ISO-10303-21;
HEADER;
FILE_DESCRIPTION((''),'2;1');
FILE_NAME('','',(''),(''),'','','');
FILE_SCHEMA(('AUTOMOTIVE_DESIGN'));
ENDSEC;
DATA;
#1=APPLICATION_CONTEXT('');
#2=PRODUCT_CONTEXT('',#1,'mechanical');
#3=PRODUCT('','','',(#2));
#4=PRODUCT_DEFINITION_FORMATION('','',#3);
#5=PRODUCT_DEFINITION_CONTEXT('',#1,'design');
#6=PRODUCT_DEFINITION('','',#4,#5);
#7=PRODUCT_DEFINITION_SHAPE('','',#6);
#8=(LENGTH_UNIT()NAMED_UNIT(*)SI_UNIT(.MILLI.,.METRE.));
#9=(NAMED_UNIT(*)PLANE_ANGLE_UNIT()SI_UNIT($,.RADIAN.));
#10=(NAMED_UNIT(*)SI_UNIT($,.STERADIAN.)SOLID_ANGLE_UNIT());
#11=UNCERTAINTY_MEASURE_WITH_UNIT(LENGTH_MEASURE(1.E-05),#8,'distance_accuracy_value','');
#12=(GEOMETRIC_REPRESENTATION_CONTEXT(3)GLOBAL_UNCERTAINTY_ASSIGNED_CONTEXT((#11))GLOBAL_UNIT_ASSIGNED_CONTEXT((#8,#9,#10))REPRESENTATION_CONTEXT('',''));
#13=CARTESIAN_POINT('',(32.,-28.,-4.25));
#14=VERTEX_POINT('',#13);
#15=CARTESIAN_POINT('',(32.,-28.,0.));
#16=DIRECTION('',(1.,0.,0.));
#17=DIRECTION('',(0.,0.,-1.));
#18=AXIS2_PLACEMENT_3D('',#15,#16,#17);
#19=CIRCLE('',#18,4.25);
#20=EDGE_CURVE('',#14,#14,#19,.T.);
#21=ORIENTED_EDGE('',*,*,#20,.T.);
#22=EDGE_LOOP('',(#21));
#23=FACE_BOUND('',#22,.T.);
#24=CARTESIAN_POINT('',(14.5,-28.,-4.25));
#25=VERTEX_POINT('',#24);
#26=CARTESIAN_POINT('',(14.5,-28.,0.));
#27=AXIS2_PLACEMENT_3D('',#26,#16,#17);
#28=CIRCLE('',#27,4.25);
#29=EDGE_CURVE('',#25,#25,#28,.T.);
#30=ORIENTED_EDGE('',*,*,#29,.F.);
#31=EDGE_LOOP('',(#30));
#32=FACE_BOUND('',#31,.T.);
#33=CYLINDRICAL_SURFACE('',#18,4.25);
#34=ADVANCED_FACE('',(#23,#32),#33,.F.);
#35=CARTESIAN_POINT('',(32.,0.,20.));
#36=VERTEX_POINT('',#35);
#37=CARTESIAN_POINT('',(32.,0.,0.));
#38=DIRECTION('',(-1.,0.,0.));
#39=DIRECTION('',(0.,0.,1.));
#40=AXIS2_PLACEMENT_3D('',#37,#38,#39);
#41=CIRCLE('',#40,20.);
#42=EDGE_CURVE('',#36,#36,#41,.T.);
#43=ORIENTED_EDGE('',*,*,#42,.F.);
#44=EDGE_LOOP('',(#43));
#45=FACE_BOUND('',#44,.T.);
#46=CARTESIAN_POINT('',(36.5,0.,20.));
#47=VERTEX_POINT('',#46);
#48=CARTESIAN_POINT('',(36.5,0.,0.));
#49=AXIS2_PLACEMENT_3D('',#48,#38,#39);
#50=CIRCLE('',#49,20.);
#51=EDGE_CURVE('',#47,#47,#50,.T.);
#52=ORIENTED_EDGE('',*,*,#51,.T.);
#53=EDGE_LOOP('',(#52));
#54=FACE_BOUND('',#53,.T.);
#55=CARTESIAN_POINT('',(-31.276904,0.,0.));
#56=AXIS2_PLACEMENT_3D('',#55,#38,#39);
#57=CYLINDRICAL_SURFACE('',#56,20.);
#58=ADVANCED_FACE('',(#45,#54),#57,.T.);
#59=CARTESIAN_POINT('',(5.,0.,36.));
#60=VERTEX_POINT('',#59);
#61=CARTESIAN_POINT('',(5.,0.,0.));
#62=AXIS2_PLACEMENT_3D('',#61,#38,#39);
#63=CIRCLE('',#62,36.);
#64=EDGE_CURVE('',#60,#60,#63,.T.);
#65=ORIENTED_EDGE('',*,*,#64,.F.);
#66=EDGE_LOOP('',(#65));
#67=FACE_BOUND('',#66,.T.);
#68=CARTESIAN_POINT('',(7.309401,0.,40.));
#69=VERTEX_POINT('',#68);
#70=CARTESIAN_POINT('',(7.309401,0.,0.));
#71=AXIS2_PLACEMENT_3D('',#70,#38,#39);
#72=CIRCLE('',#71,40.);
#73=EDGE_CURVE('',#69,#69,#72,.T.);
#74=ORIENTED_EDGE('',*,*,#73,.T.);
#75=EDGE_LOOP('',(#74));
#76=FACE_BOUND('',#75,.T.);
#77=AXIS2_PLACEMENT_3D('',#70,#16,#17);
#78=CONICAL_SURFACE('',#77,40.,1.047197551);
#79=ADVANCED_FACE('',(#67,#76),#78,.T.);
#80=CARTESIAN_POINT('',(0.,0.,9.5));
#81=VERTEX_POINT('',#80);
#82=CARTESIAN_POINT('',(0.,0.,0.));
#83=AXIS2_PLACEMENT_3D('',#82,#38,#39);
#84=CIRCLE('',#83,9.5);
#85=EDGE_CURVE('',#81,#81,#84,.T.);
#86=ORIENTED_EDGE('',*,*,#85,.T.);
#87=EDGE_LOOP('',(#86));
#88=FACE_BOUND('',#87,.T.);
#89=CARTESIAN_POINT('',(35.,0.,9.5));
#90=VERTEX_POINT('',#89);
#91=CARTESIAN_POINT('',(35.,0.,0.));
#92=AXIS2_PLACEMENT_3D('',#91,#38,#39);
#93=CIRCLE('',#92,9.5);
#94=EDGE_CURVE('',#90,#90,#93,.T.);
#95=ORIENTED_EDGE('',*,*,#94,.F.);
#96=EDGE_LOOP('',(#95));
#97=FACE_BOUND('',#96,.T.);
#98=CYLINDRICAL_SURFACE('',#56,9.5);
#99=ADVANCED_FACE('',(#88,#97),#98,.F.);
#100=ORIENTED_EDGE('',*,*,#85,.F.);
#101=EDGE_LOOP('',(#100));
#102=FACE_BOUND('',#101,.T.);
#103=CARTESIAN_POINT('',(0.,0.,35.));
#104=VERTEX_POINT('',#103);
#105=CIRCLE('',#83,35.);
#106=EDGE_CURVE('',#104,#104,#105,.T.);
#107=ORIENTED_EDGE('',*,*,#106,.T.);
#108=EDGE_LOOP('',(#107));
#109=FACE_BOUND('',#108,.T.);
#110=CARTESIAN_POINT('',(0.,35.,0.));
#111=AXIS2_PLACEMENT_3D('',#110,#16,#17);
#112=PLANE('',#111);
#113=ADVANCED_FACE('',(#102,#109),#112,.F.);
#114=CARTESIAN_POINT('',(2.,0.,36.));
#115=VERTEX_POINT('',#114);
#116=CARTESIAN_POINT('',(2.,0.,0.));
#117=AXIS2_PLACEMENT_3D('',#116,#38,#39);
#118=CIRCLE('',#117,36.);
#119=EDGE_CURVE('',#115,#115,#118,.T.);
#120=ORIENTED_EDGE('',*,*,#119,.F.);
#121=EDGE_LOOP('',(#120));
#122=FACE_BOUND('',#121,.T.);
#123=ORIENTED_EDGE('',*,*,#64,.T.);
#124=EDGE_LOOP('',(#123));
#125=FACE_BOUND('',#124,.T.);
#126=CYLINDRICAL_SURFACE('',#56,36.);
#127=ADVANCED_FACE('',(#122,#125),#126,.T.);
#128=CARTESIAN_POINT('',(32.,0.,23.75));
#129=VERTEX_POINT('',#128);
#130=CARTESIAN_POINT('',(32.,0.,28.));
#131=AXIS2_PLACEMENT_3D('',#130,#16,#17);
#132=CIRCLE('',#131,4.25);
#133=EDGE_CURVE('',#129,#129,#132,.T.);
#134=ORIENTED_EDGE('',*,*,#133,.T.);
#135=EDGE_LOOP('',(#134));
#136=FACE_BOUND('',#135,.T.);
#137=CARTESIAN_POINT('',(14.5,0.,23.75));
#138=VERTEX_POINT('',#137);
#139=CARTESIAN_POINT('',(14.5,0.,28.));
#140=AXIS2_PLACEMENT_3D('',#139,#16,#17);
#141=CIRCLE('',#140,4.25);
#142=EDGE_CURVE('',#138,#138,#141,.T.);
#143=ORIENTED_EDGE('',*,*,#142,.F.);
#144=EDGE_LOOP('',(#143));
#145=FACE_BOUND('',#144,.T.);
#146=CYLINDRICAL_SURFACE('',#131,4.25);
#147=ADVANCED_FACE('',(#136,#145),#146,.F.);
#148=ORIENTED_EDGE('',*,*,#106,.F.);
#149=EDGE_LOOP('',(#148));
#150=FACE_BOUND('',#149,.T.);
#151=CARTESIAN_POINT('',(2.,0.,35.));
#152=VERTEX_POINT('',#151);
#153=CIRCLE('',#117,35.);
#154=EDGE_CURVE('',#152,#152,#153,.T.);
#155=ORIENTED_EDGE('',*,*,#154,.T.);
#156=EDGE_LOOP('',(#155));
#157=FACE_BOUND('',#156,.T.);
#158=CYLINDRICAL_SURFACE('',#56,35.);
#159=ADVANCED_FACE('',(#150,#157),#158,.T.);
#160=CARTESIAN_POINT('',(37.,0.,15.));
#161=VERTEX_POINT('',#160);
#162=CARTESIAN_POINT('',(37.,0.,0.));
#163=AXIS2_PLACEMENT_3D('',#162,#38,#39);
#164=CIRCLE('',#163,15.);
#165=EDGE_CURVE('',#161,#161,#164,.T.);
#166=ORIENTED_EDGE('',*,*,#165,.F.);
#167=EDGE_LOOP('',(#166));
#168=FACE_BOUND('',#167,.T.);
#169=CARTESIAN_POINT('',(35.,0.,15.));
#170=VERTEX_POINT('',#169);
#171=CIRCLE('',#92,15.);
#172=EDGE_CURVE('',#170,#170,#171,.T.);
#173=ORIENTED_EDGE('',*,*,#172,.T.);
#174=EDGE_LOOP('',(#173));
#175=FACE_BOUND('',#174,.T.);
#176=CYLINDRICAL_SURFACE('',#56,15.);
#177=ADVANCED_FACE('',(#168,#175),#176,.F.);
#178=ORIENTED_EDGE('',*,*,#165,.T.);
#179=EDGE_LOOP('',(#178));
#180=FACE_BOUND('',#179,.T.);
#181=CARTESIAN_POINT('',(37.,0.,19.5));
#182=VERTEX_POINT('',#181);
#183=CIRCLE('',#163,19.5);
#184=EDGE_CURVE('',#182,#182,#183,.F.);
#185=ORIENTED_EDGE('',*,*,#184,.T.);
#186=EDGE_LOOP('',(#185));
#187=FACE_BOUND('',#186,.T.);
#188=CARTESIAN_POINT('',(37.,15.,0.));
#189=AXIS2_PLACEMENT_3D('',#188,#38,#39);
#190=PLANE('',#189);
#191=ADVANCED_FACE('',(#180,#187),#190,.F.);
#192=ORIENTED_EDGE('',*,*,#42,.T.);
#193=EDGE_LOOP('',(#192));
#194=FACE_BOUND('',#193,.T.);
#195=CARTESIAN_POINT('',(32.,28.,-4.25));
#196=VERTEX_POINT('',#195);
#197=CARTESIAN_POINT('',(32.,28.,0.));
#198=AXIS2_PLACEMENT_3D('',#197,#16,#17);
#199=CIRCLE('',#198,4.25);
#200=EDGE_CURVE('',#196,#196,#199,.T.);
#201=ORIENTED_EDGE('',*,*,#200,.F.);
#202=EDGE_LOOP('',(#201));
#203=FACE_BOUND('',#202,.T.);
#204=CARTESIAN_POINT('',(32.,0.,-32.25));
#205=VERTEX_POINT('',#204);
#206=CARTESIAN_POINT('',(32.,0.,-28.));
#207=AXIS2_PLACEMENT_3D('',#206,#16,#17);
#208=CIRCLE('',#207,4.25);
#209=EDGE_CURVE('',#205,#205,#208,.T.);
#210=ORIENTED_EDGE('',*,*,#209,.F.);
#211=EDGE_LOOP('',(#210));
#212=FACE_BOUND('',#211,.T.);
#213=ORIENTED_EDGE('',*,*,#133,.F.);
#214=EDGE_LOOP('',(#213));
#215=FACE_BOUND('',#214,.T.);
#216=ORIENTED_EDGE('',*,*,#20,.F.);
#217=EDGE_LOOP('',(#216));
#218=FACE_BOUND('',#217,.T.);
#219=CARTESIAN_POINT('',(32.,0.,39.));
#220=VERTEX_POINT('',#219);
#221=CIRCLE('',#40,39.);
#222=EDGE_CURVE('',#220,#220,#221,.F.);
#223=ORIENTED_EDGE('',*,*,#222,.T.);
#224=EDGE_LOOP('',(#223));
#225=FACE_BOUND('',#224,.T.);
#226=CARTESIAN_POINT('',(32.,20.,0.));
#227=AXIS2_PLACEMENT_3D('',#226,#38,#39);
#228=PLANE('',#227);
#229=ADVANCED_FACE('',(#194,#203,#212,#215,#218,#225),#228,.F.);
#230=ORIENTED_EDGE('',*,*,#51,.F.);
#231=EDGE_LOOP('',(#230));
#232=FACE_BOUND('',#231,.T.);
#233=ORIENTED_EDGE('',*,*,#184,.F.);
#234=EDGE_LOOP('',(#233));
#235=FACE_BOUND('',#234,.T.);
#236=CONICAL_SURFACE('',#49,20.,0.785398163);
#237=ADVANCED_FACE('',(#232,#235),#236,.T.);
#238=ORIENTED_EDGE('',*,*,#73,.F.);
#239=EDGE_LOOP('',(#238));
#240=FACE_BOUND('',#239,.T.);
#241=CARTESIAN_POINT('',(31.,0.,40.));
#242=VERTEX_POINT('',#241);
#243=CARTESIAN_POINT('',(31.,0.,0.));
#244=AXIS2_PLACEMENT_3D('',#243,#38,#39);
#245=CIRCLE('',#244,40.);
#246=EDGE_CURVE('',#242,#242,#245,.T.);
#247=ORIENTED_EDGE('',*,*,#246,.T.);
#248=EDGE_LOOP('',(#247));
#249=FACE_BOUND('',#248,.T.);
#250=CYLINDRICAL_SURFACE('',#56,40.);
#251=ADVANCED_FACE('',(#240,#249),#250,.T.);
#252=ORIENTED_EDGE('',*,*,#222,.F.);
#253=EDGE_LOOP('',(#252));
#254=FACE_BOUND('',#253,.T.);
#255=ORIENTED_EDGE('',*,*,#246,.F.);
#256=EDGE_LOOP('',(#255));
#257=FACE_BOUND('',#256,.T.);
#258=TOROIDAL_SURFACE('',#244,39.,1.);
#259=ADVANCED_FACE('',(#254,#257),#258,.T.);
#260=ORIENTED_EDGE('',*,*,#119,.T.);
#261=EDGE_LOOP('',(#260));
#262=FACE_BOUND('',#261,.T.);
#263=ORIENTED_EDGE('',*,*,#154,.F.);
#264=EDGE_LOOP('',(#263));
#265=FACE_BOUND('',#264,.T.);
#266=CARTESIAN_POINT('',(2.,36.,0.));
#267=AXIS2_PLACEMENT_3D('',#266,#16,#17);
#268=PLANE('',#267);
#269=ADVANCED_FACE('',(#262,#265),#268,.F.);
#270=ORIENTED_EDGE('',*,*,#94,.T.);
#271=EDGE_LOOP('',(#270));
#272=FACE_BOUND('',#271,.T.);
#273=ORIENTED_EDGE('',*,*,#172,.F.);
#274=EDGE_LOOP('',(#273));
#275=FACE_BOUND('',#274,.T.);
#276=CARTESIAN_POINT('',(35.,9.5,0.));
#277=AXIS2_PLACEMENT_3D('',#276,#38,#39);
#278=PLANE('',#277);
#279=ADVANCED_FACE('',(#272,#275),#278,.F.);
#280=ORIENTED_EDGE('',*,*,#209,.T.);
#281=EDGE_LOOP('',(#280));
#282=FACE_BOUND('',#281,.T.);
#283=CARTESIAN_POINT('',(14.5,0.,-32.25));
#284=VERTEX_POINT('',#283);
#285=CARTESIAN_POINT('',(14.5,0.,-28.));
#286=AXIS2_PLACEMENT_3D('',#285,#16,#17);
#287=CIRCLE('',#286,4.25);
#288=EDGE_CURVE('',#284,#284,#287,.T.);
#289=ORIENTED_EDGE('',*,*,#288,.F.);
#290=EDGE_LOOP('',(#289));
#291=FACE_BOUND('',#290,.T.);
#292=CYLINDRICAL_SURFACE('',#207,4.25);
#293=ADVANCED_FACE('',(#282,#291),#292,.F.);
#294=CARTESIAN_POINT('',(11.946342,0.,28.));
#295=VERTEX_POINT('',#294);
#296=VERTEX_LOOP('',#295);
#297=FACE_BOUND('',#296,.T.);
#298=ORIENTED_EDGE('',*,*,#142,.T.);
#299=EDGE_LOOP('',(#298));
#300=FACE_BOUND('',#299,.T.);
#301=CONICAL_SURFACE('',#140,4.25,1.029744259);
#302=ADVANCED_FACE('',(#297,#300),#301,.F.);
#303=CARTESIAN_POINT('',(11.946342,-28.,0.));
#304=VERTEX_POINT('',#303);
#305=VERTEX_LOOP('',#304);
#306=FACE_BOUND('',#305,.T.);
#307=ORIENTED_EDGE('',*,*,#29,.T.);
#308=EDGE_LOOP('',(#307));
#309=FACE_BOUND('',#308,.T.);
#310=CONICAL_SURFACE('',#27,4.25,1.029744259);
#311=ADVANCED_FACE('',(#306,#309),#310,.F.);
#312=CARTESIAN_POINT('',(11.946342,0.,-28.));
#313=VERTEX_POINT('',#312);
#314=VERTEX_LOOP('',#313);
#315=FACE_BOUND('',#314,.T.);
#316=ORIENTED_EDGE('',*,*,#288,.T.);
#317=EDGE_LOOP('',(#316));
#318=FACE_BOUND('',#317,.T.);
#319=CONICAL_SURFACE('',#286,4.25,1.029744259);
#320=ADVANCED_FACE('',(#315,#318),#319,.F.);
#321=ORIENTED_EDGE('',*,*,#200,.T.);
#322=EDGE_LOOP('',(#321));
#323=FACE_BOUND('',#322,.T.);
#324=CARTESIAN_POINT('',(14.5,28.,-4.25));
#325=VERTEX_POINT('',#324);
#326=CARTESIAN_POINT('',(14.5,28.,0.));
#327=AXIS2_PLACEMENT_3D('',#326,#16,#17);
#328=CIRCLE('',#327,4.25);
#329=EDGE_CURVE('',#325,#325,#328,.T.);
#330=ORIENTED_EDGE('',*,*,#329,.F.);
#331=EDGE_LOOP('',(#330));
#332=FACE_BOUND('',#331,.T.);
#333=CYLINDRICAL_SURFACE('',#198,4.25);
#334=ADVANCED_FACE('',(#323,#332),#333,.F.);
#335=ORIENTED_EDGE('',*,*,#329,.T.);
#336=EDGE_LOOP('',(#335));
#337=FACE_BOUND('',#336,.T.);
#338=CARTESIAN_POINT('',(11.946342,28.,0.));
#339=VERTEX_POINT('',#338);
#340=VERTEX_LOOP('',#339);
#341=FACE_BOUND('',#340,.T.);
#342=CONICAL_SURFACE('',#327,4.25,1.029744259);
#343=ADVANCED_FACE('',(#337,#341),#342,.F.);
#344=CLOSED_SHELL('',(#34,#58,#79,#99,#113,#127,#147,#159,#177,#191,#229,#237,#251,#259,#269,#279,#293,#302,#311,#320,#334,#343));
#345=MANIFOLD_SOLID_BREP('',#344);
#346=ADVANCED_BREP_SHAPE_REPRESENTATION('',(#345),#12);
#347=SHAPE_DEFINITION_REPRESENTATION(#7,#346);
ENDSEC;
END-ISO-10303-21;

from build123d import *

# Parameters (mm, degrees)
REJFNING_0_5_X_45_GR_SIZE = 0.5
RUNDING_R1_R              = 1
HOLE1_D                   = 8.5
HOLE1_DEPTH               = 17.5
HOLE1_TIP                 = 2.553657631


with BuildPart() as part:
    # Sketch1 → Base-Revolve (revolve)
    with BuildSketch(Plane.XY):
        Polygon((0, 9.5), (35, 9.5), (35, 15), (37, 15), (37, 20), (32, 20), (32, 40), (7.309401077, 40), (5, 36), (2, 36), (2, 35), (0, 35), align=None)
    revolve(axis=Axis((-31.276903974, 0, 0), (1, 0, 0)))

    # Rejfning 0,5 x 45 gr.
    rejfning_0_5_x_45_gr_edges = [part.edges().sort_by_distance(p)[0] for p in [
        (37, -20, 0),
    ]]
    chamfer(rejfning_0_5_x_45_gr_edges, length=REJFNING_0_5_X_45_GR_SIZE)

    # Runding R1
    runding_r1_edges = [part.edges().sort_by_distance(p)[0] for p in [
        (32, -40, 0),
    ]]
    fillet(runding_r1_edges, radius=RUNDING_R1_R)

    # Hole1
    with Locations(Plane(origin=(32, 0, 0), x_dir=(0, 0, -1), z_dir=(1, 0, 0))):
        with Locations((0, 28), (-28, 0), (0, -28), (28, 0)):
            Hole(HOLE1_D / 2, depth=HOLE1_DEPTH)
            with Locations((0, 0, -(HOLE1_DEPTH + HOLE1_TIP / 2))):  # 118° drill point
                Cone(0, HOLE1_D / 2, HOLE1_TIP, mode=Mode.SUBTRACT)


solid = part.part
